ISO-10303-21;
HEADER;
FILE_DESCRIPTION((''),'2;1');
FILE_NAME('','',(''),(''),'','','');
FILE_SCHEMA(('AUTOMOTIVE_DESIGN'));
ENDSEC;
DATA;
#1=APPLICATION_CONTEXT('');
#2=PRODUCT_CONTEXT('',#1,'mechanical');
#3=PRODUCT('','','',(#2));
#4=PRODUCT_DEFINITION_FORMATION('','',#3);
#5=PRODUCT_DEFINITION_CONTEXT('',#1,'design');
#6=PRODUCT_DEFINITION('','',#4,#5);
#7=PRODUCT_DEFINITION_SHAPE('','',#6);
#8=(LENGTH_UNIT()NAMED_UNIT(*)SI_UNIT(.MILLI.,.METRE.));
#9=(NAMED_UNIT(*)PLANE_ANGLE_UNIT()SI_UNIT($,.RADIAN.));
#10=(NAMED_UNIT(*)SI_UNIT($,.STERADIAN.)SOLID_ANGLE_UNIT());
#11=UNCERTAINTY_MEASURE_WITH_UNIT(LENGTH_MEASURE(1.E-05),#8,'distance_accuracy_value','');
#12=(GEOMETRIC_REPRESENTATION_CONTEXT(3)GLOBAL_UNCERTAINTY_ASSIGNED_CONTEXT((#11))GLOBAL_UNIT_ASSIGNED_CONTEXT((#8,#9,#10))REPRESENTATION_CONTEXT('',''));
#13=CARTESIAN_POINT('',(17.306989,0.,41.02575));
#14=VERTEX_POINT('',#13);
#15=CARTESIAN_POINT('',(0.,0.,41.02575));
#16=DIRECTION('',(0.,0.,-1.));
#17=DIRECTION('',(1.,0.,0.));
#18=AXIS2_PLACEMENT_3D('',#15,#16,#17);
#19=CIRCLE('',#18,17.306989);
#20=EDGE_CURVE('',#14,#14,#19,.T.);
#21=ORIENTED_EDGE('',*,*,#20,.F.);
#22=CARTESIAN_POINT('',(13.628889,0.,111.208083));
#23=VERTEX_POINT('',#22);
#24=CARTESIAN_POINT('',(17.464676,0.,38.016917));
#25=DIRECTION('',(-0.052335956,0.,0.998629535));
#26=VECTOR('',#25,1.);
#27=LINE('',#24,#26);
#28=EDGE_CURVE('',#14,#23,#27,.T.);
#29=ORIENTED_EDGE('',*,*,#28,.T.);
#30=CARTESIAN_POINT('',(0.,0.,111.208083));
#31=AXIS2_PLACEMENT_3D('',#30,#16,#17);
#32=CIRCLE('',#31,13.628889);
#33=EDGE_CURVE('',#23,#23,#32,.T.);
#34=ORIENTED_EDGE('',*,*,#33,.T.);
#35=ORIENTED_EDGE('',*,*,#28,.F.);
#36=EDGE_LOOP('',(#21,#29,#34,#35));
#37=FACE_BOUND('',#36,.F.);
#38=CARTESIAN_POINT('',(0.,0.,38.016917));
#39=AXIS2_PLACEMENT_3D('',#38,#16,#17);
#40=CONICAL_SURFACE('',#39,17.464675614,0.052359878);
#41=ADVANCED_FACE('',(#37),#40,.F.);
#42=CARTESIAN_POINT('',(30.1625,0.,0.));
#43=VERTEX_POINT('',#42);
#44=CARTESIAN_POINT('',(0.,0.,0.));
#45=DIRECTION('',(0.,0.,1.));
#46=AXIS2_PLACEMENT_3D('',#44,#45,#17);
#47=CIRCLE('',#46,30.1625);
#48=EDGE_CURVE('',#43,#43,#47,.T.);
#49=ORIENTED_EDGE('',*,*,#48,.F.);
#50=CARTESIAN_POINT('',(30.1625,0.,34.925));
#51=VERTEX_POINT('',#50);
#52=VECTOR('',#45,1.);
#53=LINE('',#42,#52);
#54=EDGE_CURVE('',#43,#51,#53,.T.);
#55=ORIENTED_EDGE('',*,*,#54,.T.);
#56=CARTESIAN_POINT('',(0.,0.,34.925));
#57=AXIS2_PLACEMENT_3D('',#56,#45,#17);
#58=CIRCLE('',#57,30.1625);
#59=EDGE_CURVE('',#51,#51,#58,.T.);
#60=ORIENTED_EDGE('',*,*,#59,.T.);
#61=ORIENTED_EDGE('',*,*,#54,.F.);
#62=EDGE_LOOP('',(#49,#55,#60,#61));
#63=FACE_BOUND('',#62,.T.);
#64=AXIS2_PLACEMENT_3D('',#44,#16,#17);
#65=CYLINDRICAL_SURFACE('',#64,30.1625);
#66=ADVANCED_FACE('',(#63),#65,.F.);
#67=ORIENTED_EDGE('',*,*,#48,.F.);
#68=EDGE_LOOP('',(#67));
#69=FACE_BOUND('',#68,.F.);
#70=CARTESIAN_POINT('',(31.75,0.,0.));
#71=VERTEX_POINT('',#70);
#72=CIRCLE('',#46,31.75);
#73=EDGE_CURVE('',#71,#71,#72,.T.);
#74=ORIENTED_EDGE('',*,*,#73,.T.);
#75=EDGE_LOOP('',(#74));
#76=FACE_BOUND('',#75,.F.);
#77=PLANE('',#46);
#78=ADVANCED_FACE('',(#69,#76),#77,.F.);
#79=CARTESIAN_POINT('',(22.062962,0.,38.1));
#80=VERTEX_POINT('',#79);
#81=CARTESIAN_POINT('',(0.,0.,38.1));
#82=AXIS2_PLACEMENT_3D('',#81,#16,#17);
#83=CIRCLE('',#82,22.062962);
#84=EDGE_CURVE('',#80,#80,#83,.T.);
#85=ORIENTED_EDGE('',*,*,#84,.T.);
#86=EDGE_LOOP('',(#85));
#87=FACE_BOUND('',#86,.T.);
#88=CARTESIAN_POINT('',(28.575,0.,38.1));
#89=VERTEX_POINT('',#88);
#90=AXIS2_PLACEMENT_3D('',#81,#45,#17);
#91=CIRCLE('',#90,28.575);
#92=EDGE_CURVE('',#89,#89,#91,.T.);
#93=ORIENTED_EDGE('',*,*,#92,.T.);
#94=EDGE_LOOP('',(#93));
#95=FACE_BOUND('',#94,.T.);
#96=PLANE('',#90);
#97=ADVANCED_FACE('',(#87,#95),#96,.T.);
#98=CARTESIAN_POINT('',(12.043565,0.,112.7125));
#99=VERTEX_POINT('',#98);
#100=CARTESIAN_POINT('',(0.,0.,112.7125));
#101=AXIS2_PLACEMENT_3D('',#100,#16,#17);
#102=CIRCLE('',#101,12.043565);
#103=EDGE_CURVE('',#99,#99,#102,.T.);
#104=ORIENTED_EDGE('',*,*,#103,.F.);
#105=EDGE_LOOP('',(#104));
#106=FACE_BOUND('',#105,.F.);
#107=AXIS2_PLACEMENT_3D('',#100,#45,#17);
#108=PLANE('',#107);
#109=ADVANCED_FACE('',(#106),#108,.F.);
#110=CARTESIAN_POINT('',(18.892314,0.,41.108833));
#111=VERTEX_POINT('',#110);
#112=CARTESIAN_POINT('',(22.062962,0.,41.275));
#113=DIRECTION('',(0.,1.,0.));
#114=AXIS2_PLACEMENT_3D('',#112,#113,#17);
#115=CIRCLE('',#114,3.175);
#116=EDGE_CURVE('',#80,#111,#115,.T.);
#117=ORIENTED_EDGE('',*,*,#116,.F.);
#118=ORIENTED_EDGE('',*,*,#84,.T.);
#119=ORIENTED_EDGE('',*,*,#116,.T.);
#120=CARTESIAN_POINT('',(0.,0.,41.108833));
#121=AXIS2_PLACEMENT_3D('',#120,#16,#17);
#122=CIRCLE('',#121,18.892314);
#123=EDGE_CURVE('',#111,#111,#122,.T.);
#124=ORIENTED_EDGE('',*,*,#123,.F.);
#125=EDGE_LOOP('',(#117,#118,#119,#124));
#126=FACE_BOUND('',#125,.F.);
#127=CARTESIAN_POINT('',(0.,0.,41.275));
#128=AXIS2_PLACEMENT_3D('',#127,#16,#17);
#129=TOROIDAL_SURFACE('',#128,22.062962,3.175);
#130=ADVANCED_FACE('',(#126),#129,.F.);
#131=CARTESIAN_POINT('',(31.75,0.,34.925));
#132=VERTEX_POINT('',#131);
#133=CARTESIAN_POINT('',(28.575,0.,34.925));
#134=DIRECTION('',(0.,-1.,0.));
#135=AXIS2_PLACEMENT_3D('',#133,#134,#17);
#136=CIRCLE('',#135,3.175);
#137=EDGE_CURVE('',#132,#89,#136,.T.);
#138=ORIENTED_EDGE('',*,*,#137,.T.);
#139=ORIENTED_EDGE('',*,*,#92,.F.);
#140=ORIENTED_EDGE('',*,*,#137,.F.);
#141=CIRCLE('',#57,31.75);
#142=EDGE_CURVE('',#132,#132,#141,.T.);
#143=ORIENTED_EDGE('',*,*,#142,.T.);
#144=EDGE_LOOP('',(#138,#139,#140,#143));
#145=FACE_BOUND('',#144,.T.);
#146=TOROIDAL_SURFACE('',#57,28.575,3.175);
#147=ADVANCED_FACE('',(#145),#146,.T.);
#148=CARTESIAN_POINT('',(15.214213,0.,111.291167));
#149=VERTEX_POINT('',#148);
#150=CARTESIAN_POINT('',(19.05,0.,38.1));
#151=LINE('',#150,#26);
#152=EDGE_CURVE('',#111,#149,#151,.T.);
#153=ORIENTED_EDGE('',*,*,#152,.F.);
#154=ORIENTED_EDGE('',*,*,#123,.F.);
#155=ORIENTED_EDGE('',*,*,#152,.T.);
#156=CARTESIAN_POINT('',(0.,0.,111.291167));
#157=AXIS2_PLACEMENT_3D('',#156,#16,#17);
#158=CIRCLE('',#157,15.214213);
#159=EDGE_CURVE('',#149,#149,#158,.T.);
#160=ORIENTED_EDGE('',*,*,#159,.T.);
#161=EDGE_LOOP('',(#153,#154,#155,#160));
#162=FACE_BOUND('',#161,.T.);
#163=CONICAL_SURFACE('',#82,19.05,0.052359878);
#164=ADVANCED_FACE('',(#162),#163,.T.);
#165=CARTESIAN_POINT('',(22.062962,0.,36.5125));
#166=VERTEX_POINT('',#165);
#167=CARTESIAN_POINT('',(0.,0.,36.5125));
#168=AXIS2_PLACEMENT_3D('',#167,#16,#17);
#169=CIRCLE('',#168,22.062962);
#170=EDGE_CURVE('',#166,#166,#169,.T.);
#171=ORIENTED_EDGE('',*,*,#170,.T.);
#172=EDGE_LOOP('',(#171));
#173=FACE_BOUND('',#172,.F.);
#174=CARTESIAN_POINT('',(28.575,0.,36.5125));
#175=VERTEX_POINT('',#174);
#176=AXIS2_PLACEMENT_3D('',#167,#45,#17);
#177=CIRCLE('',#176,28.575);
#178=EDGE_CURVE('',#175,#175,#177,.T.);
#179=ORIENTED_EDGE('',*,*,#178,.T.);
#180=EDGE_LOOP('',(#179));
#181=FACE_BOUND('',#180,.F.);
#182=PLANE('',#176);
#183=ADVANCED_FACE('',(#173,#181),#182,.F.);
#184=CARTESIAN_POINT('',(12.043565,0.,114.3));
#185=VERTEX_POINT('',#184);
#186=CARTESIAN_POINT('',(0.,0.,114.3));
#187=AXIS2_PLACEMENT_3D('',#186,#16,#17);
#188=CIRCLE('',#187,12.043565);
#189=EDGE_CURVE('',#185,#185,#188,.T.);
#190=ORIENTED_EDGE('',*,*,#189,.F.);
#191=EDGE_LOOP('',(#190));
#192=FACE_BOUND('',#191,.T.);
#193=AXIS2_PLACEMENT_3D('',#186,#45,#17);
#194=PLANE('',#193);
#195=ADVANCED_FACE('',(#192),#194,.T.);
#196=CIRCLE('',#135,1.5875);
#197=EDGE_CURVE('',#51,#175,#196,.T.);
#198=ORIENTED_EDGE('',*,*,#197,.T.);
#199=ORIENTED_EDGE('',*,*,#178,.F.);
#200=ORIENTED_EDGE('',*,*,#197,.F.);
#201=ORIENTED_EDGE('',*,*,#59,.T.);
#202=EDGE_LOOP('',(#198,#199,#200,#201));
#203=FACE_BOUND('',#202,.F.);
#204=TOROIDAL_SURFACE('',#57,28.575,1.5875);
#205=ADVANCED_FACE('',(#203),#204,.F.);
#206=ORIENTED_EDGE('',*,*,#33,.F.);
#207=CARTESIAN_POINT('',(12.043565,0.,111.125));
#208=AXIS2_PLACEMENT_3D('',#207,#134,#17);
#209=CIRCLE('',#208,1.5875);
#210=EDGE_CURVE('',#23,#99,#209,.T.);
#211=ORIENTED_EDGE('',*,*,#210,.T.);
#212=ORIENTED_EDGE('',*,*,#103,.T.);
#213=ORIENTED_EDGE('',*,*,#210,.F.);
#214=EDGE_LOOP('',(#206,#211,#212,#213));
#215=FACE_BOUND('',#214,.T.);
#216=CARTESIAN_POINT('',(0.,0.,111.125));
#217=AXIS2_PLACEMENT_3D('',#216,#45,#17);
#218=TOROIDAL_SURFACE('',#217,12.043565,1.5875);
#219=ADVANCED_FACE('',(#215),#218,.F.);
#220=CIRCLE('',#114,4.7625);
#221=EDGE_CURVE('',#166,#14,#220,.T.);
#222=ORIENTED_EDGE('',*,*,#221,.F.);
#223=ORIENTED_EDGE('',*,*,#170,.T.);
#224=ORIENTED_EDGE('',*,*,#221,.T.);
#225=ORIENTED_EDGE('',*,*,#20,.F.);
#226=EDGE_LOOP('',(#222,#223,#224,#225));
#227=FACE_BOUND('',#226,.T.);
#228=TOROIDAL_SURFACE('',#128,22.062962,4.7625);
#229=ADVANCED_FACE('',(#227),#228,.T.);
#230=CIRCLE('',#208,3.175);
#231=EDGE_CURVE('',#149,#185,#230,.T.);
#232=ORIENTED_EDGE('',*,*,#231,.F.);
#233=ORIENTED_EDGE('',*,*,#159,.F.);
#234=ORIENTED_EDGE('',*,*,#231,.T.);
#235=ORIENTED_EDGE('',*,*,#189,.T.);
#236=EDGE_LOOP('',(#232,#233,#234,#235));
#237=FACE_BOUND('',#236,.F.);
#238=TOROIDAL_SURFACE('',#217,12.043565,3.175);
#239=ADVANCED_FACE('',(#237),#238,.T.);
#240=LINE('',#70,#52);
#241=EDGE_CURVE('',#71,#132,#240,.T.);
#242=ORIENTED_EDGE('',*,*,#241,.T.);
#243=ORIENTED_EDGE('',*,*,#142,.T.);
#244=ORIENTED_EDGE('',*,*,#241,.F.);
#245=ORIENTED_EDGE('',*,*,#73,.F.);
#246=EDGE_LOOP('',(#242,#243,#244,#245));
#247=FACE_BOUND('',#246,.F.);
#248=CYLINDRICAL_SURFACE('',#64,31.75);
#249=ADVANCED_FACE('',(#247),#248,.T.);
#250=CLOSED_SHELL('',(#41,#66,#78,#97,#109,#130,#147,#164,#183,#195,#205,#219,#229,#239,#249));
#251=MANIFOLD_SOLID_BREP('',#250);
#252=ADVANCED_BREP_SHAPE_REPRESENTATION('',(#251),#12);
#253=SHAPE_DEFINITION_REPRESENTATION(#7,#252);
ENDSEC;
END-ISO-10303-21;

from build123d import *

# Parameters (mm, degrees)
F3_R     = 31.75
F0_DEPTH = 38.1
F1_R     = 19.05
F4_DEPTH = 76.2
F4_TAPER = 3
F2_R     = 3.175
F5_T     = -1.5875


with BuildPart() as f0:
    # F3 (on Top) → F0 (new body)
    with BuildSketch(Plane.XY):
        Circle(F3_R)
    extrude(amount=F0_DEPTH)

    # F1 (on face) → F4 (join)
    with BuildSketch(Plane.XY.offset(38.1)):
        Circle(F1_R)
    extrude(amount=F4_DEPTH, taper=F4_TAPER)

    # F2
    f2_edges = [f0.edges().sort_by_distance(p)[0] for p in [
        (-19.05, 0, 38.1),
        (17.053264, 0, 76.2),
        (-15.056527, 0, 114.3),
        (-31.75, 0, 38.1),
    ]]
    fillet(f2_edges, radius=F2_R)

    # F5
    f5_openings = [f0.faces().sort_by_distance(p)[0] for p in [
        (0, 0, 0),
    ]]
    offset(amount=F5_T, openings=f5_openings)


solid = f0.part
